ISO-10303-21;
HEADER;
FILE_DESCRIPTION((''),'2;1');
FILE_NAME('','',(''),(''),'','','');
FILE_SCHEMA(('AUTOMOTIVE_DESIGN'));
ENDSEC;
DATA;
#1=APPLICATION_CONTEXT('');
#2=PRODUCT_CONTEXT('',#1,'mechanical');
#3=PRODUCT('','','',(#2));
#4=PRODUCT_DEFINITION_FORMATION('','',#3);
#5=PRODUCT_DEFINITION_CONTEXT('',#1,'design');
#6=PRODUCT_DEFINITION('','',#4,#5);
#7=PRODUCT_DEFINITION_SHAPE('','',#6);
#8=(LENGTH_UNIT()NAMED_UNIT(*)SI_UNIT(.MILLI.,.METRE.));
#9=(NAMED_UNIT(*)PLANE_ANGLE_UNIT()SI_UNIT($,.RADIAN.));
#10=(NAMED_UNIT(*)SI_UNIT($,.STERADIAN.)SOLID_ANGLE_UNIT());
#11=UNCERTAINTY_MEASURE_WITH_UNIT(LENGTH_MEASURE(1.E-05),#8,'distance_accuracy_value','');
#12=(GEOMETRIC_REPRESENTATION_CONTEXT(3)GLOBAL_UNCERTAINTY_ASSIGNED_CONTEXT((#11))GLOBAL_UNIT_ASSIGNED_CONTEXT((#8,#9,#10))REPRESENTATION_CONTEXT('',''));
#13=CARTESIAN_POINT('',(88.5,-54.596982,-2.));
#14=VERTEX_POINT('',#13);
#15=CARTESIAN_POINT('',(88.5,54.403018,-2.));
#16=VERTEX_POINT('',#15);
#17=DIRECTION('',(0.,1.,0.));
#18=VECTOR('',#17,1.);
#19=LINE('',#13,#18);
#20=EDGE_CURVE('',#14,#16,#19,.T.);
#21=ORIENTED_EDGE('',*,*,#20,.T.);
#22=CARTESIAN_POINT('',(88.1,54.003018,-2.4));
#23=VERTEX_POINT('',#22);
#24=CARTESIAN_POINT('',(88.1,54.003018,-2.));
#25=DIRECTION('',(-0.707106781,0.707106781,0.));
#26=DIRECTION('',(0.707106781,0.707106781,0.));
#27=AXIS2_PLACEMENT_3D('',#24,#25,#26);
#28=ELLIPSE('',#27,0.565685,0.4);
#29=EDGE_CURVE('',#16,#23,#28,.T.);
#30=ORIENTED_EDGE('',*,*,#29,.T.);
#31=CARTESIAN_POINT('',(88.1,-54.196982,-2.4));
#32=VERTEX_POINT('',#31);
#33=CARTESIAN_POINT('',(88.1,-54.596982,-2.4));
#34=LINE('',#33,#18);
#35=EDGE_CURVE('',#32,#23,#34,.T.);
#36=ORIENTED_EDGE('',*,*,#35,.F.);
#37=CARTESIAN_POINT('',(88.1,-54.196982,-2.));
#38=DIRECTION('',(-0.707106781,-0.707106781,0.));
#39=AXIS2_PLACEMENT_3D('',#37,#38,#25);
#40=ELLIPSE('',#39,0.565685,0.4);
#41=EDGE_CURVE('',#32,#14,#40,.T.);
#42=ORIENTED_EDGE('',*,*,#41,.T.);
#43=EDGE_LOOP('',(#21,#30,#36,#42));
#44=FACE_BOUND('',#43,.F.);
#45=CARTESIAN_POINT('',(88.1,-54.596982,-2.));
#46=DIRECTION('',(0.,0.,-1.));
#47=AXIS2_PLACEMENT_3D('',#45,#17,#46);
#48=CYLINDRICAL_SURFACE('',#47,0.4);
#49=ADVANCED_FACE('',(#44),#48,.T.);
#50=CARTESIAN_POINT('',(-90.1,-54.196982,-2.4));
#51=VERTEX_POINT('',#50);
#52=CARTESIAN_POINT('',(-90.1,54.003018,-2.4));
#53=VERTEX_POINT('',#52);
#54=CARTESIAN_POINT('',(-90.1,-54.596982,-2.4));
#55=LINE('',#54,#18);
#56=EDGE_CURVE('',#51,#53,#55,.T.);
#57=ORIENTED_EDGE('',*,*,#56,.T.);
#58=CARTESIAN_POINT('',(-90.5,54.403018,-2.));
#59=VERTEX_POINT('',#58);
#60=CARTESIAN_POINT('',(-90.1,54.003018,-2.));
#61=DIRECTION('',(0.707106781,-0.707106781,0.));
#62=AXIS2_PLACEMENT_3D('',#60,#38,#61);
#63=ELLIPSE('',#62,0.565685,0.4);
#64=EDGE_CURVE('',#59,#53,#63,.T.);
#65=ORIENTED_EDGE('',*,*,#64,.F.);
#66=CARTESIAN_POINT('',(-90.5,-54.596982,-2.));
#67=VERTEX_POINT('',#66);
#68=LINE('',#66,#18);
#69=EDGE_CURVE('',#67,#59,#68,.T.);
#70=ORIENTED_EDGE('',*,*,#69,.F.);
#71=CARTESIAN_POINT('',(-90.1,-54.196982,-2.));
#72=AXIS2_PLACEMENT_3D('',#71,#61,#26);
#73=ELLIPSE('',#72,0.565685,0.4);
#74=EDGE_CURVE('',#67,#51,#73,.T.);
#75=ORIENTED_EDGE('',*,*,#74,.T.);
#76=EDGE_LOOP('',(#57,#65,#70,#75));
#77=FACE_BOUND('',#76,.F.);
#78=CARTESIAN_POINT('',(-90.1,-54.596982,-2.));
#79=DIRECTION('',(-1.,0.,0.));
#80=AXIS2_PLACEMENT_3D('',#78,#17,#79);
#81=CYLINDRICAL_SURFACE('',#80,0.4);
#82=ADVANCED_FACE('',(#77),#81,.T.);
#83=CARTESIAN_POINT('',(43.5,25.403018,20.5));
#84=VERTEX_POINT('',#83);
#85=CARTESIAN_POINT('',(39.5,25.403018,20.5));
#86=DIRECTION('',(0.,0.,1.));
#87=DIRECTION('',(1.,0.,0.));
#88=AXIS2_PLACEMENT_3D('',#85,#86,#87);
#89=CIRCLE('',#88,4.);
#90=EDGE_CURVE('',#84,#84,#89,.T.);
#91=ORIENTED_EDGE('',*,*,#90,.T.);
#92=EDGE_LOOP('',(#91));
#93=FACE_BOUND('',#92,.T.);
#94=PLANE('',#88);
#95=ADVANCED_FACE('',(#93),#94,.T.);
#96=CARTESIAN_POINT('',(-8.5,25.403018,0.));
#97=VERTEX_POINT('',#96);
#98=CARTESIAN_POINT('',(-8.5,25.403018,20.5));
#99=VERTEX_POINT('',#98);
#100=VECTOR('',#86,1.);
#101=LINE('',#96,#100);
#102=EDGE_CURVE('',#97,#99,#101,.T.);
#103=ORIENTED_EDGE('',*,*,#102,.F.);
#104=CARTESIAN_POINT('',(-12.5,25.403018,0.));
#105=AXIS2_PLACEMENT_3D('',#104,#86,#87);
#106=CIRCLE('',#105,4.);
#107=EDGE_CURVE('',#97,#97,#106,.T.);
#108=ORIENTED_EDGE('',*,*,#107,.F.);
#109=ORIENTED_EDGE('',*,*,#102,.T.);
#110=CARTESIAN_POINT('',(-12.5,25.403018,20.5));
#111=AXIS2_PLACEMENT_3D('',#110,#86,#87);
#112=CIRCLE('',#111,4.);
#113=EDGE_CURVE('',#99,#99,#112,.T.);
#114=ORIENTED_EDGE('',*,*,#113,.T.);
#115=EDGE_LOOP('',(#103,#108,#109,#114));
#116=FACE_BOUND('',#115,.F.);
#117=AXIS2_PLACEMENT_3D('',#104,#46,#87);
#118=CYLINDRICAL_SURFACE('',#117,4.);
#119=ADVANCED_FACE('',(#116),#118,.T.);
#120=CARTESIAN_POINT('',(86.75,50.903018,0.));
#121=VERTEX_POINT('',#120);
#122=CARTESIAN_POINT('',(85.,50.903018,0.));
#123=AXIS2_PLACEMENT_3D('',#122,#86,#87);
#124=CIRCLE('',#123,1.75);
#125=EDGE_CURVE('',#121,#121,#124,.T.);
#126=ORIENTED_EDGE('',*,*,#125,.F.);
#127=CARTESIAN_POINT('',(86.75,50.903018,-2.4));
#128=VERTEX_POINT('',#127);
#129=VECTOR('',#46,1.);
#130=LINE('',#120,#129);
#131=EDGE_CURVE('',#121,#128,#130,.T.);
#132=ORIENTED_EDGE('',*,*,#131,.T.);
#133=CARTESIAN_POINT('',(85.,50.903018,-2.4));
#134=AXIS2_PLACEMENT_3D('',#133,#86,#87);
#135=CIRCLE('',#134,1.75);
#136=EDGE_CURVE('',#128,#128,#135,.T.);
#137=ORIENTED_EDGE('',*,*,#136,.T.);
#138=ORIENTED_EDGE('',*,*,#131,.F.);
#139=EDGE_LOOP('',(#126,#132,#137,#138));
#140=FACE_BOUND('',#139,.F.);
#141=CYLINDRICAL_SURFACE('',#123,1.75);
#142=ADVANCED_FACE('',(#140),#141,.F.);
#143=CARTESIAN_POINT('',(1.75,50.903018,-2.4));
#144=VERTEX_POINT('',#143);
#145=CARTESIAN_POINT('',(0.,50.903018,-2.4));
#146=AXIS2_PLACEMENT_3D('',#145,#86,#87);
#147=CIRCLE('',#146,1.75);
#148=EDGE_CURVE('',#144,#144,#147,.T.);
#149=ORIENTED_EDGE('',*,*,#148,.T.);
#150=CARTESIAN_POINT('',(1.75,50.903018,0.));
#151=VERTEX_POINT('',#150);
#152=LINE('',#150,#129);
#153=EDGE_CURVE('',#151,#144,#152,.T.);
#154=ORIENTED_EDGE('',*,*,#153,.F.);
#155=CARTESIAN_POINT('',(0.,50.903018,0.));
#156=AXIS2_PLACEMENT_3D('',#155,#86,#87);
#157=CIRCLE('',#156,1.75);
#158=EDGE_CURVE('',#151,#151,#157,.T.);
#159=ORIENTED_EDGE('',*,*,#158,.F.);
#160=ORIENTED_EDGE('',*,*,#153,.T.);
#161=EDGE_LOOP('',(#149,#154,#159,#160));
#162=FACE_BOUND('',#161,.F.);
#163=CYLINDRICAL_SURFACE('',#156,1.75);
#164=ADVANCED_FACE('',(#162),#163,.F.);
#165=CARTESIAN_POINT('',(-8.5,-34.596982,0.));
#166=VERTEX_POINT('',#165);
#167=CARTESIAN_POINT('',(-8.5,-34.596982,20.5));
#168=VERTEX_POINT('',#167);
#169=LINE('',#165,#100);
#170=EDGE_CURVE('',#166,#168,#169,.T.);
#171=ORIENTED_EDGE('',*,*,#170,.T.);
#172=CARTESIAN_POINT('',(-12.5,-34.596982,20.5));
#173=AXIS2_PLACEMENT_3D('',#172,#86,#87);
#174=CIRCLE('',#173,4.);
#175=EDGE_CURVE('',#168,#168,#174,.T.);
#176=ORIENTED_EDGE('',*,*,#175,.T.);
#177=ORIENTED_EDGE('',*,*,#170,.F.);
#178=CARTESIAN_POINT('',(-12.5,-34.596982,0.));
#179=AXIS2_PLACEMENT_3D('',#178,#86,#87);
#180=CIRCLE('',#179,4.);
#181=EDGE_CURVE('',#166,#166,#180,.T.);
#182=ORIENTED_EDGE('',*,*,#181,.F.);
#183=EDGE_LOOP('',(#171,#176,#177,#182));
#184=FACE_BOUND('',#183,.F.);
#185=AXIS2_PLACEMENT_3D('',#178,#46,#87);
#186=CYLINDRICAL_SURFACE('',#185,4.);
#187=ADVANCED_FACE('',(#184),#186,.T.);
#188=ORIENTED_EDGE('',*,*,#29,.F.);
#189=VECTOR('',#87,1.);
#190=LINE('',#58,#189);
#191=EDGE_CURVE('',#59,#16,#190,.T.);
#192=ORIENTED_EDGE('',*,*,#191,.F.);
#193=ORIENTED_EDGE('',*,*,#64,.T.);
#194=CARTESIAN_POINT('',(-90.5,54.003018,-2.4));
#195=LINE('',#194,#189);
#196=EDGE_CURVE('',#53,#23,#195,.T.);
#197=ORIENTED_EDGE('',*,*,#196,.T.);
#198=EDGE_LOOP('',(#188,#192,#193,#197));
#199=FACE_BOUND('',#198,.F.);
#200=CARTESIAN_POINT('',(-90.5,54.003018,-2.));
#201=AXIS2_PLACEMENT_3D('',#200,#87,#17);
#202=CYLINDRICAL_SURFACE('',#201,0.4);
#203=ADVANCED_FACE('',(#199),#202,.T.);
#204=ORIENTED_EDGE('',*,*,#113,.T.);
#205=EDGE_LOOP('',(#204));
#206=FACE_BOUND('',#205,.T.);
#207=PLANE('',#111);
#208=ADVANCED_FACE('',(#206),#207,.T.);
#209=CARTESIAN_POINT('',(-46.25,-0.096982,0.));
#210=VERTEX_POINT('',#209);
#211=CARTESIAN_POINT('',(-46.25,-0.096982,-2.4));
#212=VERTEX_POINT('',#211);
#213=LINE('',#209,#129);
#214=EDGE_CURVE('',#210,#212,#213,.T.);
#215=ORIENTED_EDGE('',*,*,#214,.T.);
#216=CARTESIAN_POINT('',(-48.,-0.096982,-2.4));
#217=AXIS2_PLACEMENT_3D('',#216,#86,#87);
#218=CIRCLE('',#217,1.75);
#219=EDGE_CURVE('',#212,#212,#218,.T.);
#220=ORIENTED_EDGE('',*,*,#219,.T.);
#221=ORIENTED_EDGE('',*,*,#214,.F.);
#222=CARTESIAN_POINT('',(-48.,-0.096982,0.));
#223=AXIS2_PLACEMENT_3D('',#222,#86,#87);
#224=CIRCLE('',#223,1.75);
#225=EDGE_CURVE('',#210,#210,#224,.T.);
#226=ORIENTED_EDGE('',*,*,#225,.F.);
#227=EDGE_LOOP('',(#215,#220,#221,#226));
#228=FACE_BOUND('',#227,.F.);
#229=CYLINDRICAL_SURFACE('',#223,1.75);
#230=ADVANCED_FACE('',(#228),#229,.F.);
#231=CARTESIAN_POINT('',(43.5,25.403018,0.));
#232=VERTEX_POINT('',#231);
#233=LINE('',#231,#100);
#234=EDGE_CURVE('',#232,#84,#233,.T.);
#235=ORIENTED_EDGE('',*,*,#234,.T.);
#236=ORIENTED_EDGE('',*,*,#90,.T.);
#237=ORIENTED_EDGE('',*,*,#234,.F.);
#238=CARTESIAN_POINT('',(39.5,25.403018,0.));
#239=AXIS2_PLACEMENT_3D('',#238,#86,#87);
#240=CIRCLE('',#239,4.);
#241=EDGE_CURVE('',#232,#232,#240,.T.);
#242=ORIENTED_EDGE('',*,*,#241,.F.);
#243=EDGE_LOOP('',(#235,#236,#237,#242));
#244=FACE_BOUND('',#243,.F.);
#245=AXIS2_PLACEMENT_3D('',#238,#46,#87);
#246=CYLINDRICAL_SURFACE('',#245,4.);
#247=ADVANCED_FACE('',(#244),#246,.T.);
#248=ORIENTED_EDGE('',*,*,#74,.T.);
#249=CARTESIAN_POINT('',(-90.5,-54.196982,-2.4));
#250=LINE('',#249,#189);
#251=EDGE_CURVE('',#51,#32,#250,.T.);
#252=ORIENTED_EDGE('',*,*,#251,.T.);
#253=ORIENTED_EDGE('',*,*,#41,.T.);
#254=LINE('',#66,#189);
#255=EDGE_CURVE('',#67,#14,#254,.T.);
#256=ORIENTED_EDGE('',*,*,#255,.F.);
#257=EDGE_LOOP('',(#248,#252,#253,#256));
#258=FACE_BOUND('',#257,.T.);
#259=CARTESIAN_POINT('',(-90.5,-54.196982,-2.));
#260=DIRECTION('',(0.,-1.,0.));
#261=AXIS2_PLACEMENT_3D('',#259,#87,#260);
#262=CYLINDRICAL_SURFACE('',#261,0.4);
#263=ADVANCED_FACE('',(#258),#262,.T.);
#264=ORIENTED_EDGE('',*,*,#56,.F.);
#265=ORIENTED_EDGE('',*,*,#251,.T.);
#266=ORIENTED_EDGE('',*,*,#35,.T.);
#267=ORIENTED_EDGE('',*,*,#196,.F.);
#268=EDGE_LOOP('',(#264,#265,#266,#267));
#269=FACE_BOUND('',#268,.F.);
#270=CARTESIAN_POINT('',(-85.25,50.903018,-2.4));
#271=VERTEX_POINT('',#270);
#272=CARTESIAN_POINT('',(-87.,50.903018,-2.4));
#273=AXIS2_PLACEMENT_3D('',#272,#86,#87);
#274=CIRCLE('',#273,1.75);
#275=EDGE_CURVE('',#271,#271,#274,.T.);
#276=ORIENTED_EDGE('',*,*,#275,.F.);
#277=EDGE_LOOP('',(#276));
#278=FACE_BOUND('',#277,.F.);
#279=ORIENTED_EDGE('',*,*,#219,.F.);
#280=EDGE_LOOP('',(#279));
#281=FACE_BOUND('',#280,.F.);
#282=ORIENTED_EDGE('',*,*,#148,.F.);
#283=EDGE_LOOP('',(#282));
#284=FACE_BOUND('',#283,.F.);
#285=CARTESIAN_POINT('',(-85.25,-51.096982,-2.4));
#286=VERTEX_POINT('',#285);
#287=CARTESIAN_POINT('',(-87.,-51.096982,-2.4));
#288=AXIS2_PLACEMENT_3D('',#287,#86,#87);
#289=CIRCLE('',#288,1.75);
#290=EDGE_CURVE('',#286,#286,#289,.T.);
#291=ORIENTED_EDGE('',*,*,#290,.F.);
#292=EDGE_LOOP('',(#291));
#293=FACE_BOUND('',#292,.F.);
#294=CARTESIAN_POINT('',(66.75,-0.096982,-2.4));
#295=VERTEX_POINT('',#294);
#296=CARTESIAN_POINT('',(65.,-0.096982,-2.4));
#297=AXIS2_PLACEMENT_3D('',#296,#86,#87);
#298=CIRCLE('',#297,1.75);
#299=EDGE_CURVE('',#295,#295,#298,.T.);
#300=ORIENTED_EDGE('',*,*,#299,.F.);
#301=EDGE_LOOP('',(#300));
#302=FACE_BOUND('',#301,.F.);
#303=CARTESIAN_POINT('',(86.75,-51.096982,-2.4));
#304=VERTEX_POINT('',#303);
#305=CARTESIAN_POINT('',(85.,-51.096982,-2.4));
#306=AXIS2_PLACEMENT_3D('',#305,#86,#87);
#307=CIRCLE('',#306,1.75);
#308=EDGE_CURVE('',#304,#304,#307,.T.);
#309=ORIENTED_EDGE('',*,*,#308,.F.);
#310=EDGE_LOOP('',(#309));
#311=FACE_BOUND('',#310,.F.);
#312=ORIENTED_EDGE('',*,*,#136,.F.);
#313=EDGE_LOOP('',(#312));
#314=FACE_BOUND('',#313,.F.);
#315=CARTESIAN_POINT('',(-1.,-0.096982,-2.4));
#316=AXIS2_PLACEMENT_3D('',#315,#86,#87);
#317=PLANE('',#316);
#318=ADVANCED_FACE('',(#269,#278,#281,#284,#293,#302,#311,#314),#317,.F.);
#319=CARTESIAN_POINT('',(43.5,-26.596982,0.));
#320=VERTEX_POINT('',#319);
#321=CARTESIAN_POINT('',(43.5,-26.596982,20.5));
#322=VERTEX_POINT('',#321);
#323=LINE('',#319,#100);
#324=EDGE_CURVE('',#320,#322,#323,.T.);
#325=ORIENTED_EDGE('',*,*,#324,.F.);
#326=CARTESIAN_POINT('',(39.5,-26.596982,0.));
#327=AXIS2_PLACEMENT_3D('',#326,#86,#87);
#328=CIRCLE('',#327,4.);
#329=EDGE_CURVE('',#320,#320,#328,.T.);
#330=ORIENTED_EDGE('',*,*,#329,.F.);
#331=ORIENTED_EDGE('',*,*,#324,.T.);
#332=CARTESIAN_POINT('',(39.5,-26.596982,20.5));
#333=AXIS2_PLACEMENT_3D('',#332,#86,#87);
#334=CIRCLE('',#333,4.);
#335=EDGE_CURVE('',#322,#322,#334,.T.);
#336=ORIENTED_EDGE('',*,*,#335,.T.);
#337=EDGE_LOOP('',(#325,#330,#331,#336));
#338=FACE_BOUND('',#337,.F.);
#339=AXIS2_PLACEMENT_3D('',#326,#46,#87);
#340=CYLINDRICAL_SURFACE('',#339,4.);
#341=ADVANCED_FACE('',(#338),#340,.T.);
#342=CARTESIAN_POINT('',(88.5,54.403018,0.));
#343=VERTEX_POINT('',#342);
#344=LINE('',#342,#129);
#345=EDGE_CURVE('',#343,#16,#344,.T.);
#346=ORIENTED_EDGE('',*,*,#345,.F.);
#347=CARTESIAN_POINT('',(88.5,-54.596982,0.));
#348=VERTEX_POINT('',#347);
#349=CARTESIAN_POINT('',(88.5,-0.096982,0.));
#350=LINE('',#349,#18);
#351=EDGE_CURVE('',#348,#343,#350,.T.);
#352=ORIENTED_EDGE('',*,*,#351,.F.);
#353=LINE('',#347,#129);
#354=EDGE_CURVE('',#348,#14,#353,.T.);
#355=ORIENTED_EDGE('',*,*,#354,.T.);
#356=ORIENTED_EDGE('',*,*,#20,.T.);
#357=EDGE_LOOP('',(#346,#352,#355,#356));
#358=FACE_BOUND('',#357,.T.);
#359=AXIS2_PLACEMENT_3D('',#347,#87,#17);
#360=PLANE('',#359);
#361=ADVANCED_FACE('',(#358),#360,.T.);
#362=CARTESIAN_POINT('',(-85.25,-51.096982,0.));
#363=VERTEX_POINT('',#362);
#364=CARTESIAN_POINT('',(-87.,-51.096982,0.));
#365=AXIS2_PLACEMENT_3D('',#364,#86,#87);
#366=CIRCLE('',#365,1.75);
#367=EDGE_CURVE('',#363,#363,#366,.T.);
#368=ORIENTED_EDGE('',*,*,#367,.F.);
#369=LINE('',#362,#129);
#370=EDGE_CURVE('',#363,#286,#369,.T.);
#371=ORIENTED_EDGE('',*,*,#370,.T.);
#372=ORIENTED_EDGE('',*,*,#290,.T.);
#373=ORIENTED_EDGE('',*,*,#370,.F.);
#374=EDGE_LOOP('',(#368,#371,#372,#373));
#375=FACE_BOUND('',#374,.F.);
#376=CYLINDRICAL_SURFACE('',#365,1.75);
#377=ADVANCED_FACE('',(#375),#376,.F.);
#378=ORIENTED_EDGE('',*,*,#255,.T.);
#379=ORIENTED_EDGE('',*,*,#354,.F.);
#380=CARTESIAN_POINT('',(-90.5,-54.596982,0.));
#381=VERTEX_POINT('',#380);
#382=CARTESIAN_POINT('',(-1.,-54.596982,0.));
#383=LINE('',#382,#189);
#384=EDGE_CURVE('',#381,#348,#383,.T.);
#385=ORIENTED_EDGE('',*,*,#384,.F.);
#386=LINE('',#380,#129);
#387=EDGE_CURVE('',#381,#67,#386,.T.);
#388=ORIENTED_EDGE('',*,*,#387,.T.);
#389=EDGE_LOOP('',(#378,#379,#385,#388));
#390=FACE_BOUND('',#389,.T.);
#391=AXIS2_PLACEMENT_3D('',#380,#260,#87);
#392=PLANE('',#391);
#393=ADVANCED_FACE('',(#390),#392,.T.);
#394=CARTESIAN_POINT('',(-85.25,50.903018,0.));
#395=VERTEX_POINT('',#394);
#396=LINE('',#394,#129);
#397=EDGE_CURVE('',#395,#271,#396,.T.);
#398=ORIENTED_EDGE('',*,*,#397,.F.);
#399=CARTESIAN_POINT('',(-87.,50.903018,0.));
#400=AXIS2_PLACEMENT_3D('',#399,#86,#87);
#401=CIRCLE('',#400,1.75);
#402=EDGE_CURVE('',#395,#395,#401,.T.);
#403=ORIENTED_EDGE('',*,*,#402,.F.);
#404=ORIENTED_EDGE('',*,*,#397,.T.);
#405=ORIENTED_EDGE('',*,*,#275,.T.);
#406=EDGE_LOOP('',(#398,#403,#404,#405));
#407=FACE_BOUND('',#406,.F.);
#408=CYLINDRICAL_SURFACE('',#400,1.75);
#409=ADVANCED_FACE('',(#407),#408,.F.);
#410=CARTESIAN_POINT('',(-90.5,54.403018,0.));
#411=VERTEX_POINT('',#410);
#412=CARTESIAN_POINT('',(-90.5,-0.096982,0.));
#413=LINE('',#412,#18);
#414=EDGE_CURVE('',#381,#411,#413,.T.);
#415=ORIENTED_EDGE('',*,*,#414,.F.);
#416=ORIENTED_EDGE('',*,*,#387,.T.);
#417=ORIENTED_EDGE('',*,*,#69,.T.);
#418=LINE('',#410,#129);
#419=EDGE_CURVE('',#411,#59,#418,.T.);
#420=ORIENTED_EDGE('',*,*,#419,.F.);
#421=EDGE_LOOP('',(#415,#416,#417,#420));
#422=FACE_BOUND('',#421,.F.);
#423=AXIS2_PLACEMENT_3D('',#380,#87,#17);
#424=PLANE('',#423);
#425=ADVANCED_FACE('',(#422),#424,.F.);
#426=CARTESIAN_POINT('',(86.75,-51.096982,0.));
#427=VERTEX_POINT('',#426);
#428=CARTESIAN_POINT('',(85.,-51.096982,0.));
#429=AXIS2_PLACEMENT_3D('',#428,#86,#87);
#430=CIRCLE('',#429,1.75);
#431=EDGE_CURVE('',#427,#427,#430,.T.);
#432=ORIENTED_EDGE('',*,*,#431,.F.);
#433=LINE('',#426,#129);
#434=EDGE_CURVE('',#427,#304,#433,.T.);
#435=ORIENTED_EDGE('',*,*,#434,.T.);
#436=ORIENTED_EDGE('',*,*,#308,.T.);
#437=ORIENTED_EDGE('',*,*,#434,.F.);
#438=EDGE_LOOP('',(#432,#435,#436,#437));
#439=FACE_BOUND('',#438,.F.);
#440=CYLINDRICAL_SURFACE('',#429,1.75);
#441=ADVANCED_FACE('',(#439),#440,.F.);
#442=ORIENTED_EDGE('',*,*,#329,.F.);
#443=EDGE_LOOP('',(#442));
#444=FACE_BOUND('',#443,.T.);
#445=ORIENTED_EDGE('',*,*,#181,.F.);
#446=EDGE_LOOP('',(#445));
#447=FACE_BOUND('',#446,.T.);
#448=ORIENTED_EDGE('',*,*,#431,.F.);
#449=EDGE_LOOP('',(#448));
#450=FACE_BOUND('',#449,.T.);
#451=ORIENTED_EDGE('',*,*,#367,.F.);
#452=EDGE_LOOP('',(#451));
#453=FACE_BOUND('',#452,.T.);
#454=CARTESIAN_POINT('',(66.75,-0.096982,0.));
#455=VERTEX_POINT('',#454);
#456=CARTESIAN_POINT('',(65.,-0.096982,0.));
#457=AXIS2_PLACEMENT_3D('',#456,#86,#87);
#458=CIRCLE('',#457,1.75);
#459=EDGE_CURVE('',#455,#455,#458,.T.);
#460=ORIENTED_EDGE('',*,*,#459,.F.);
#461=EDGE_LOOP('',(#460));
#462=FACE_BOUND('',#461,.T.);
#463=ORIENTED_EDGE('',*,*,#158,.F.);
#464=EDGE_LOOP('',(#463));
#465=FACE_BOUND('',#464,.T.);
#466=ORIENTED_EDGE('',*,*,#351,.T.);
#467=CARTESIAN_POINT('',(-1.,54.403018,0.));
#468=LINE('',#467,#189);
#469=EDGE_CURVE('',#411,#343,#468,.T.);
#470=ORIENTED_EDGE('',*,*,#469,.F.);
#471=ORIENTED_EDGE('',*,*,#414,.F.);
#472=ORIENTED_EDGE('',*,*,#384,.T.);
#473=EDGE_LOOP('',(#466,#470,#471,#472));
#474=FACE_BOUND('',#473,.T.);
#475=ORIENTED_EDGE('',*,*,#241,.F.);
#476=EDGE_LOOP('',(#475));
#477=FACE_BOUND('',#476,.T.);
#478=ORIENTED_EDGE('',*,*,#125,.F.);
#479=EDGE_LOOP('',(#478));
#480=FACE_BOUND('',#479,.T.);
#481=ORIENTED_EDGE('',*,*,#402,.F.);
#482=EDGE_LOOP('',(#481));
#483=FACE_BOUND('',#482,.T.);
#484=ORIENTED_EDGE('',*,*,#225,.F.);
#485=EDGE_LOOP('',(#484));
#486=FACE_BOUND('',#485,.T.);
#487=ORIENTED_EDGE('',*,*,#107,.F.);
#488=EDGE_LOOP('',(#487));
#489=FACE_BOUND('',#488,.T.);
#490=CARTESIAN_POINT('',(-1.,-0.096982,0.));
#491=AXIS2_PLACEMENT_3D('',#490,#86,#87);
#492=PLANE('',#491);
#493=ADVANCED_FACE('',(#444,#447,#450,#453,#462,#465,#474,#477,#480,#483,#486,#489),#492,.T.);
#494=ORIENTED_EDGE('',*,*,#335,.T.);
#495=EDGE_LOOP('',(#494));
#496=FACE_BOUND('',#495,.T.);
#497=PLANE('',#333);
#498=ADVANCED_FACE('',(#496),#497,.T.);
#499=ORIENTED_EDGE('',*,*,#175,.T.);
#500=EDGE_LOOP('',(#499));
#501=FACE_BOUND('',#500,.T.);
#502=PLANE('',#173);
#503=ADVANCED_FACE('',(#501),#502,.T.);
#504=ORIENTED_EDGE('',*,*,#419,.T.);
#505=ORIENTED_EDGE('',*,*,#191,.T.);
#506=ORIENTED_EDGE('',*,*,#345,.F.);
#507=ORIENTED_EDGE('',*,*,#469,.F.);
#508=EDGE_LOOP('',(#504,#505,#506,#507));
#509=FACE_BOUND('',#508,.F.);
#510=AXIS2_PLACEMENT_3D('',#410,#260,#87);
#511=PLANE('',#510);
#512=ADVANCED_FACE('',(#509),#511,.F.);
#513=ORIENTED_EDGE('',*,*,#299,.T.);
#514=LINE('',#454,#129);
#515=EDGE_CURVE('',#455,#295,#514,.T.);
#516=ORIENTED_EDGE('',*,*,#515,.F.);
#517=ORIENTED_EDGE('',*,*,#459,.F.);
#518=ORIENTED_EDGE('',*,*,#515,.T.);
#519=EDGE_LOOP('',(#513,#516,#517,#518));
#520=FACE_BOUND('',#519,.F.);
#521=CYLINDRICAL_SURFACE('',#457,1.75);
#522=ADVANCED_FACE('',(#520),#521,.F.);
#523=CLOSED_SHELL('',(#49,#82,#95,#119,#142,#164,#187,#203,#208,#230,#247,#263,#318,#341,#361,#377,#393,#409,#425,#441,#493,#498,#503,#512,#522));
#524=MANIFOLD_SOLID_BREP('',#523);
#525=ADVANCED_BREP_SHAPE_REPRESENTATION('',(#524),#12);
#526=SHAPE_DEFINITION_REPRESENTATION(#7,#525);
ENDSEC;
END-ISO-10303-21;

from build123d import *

# Parameters (mm, degrees)
F0_W     = 179
F0_H     = 109
F0_R     = 1.75
F0_R_2   = 4
F1_DEPTH = 2.4
F2_DEPTH = 20.5
F3_R     = 0.4


with BuildPart() as f1:
    # F0 (on Top) → F1 (new body)
    with BuildSketch(Plane.XY):
        with Locations((-1, -0.096982)):
            Rectangle(F0_W, F0_H)
        with Locations((-87, -51.096982)):
            Circle(F0_R, mode=Mode.SUBTRACT)
        with Locations((-12.5, -34.596982)):
            Circle(F0_R_2, mode=Mode.SUBTRACT)
        with Locations((85, -51.096982)):
            Circle(F0_R, mode=Mode.SUBTRACT)
        with Locations((39.5, -26.596982)):
            Circle(F0_R_2, mode=Mode.SUBTRACT)
        with Locations((-48, -0.096982)):
            Circle(F0_R, mode=Mode.SUBTRACT)
        with Locations((-12.5, 25.403018)):
            Circle(F0_R_2, mode=Mode.SUBTRACT)
        with Locations((-87, 50.903018)):
            Circle(F0_R, mode=Mode.SUBTRACT)
        with Locations((39.5, 25.403018)):
            Circle(F0_R_2, mode=Mode.SUBTRACT)
        with Locations((65, -0.096982)):
            Circle(F0_R, mode=Mode.SUBTRACT)
        with Locations((0, 50.903018)):
            Circle(F0_R, mode=Mode.SUBTRACT)
        with Locations((85, 50.903018)):
            Circle(F0_R, mode=Mode.SUBTRACT)
        with Locations((-12.5, 25.403018)):
            Circle(F0_R_2)
        with Locations((39.5, 25.403018)):
            Circle(F0_R_2)
        with Locations((-12.5, -34.596982)):
            Circle(F0_R_2)
        with Locations((39.5, -26.596982)):
            Circle(F0_R_2)
    extrude(amount=-F1_DEPTH)

    # F0 (on Top) → F2 (join)
    with BuildSketch(Plane.XY):
        with Locations((-12.5, 25.403018)):
            Circle(F0_R_2)
        with Locations((-12.5, -34.596982)):
            Circle(F0_R_2)
        with Locations((39.5, -26.596982)):
            Circle(F0_R_2)
        with Locations((39.5, 25.403018)):
            Circle(F0_R_2)
    extrude(amount=F2_DEPTH)

    # F3
    f3_edges = [f1.edges().sort_by_distance(p)[0] for p in [
        (-1, 54.403018, -2.4),
        (-90.5, -0.096982, -2.4),
        (88.5, -0.096982, -2.4),
        (-1, -54.596982, -2.4),
    ]]
    fillet(f3_edges, radius=F3_R)


solid = f1.part
